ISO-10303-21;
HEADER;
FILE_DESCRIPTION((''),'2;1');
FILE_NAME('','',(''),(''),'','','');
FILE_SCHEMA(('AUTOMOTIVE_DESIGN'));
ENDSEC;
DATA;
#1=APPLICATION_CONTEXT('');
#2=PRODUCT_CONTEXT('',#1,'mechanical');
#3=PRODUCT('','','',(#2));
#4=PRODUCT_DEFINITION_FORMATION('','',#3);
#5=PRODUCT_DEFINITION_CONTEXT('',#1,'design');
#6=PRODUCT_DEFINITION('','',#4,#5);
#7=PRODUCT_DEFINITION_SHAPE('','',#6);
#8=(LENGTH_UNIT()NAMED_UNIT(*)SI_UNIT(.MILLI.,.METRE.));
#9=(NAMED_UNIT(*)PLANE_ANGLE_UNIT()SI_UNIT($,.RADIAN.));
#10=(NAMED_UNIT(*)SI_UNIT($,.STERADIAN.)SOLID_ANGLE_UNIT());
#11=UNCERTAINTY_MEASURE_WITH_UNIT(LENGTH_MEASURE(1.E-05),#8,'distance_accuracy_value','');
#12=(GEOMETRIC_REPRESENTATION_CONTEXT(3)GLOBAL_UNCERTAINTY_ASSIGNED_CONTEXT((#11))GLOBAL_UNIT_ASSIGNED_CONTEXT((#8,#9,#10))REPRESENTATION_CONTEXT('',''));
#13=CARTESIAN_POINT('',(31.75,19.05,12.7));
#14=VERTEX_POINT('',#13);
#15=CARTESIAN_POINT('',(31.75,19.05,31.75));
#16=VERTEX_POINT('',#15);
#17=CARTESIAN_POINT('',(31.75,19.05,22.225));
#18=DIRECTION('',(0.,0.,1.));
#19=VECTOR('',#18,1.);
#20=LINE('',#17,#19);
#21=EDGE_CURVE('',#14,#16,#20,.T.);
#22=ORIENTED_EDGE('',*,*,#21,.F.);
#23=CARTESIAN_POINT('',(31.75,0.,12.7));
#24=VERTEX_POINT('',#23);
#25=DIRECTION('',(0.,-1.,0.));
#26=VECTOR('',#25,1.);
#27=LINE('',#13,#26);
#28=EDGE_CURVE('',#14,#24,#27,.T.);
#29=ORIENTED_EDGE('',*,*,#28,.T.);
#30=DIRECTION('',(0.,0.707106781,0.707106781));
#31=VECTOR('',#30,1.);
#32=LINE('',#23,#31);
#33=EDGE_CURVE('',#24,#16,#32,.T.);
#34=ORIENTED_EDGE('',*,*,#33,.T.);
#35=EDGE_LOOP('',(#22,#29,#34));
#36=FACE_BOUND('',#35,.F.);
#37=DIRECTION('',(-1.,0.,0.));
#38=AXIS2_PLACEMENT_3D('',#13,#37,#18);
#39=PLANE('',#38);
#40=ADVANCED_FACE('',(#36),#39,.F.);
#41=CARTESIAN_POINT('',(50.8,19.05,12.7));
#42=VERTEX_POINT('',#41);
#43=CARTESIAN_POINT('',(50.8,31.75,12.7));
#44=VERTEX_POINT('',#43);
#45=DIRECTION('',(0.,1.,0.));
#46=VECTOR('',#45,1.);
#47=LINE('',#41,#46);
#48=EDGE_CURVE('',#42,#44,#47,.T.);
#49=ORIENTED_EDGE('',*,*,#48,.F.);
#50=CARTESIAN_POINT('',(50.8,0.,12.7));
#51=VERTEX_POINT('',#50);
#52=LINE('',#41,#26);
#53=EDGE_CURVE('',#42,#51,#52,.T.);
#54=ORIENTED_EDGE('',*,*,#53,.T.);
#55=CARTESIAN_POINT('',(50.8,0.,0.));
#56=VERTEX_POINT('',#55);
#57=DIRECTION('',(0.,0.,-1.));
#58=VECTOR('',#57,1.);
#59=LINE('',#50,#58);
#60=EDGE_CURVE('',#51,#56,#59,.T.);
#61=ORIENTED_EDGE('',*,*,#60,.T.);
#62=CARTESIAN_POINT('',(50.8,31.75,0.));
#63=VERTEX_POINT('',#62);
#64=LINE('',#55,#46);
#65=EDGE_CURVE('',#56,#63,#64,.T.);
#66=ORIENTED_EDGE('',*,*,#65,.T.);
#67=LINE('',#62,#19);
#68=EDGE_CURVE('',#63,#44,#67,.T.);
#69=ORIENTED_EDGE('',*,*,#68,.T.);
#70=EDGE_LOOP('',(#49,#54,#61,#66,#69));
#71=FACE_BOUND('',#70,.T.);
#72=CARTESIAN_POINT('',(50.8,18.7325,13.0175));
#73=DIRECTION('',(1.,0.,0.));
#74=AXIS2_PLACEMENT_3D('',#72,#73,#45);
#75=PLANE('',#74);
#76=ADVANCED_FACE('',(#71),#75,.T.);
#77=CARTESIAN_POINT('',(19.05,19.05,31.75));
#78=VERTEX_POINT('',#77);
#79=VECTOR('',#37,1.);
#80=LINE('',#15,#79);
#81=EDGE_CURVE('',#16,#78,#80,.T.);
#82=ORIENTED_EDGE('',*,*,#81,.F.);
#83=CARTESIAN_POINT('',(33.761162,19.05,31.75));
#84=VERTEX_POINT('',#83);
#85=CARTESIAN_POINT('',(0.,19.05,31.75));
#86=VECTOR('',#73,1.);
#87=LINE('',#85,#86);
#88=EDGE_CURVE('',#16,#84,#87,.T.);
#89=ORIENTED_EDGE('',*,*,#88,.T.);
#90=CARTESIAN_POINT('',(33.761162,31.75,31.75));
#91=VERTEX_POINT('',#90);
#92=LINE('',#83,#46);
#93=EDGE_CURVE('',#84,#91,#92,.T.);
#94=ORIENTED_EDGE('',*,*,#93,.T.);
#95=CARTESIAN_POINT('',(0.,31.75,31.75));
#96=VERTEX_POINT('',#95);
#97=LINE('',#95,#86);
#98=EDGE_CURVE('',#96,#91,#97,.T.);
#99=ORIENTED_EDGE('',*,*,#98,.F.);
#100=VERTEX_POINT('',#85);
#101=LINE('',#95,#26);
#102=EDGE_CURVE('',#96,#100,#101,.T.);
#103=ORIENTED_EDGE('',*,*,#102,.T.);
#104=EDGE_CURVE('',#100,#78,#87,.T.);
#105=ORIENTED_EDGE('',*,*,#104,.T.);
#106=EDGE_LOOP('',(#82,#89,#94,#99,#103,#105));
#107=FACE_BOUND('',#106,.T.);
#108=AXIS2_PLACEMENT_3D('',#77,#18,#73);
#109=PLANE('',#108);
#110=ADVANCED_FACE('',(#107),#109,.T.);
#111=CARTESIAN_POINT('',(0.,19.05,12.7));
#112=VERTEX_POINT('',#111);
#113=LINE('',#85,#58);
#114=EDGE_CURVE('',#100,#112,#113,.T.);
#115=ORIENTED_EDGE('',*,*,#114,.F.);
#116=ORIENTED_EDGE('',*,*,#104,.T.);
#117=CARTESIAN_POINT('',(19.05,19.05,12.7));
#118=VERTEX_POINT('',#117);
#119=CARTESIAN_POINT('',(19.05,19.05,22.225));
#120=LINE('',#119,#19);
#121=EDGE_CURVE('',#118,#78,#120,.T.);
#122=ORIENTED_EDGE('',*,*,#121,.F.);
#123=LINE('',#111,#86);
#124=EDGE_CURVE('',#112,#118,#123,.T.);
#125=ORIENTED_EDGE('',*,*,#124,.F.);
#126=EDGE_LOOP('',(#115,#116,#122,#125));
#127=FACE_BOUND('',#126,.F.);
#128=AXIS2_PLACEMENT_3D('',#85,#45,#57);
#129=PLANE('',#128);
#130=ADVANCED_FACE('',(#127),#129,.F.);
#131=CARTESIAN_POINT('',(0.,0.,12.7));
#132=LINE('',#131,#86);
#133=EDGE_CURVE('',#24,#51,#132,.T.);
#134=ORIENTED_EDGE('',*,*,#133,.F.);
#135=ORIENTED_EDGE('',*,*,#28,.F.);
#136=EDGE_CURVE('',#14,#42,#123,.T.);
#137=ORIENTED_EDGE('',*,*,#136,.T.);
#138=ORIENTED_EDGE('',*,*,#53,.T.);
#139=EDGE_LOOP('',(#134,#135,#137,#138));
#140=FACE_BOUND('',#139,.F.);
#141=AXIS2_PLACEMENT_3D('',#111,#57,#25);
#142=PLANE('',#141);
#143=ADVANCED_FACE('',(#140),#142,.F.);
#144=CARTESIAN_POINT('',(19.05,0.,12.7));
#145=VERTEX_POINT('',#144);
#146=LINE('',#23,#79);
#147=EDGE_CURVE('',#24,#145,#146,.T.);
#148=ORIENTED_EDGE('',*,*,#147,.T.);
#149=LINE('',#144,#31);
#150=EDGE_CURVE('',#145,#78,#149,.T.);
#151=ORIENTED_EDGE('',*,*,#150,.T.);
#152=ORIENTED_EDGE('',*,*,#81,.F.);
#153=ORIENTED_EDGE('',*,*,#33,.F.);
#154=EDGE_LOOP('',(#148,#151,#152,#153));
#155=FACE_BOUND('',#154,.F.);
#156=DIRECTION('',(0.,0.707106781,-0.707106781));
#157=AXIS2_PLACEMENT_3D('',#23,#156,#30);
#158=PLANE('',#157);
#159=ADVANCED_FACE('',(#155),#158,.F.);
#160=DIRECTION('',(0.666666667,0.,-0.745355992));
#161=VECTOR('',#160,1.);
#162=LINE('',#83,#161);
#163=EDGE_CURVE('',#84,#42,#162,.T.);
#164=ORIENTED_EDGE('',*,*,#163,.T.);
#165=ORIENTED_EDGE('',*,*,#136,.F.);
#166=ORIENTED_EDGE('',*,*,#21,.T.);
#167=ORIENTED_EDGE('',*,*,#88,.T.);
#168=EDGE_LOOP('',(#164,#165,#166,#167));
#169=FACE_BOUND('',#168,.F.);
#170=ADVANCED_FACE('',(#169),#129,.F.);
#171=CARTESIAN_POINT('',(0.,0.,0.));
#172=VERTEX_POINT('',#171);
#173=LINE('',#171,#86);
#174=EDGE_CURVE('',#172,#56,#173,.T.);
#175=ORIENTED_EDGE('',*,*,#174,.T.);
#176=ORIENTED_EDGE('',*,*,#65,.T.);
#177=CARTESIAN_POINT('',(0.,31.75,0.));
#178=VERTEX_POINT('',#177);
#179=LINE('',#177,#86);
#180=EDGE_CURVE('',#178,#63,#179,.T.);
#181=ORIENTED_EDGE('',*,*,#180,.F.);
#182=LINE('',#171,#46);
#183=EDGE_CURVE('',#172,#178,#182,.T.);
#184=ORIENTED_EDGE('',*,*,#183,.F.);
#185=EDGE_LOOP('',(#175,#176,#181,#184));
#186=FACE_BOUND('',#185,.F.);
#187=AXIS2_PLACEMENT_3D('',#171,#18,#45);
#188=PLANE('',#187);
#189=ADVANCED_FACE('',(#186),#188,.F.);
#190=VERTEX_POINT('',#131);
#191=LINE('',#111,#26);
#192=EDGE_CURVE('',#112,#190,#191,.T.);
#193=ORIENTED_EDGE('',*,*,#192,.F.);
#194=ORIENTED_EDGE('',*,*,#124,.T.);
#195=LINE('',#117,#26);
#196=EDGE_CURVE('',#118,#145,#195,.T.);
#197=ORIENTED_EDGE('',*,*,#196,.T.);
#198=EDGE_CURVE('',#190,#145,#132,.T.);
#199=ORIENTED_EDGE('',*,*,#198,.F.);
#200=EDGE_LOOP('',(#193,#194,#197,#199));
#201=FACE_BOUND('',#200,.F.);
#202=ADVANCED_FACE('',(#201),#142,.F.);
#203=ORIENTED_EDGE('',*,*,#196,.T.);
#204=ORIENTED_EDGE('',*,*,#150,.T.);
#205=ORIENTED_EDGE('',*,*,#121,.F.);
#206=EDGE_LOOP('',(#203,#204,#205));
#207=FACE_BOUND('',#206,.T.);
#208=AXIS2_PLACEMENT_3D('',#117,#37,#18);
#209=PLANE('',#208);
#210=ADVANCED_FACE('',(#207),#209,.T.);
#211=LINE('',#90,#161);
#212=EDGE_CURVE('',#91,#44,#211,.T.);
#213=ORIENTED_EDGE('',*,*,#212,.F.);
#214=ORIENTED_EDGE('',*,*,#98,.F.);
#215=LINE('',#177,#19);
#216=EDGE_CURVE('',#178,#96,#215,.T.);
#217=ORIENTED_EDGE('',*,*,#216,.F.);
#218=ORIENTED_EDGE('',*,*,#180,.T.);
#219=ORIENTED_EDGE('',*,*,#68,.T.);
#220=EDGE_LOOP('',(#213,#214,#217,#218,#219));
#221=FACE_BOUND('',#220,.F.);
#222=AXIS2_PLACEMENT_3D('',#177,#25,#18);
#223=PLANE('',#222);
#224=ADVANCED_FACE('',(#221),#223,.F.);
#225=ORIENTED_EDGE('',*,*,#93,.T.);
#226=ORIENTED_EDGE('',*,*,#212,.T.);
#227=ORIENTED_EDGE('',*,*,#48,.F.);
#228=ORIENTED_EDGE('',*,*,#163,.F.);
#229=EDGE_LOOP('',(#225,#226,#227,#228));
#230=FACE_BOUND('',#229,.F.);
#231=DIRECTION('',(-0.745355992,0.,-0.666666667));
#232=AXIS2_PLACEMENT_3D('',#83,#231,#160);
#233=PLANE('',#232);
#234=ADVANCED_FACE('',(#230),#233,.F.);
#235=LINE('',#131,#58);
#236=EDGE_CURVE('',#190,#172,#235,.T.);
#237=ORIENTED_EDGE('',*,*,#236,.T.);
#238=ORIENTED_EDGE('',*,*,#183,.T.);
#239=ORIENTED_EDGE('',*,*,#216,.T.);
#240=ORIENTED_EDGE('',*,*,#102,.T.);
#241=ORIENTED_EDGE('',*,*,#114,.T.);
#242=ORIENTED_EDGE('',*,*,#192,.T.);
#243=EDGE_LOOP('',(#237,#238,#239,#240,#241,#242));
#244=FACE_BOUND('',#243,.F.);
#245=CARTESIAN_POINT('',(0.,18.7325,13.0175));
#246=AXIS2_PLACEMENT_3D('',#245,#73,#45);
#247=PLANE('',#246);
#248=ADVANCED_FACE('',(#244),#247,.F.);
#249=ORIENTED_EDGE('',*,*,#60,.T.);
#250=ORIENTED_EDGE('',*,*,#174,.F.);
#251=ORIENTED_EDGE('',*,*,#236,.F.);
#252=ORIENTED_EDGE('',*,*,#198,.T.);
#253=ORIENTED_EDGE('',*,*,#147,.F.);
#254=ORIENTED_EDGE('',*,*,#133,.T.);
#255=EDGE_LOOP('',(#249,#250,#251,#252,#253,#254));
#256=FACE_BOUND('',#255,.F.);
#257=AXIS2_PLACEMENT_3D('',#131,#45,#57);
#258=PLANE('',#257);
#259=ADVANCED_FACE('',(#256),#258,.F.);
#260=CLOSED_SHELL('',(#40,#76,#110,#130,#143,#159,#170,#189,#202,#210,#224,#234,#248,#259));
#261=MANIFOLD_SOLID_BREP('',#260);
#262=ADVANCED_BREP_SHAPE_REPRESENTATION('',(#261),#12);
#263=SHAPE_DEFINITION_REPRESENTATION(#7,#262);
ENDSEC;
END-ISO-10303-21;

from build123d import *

# Parameters (mm, degrees)
F1_DEPTH = 50.8
F3_DEPTH = 12.7
F4_W     = 12.7
F4_H     = 19.05
F5_DEPTH = 19.05
F7_DEPTH = 12.7


with BuildPart() as f1:
    # F0 (on Right) → F1 (new body)
    with BuildSketch(Plane.YZ):
        Polygon((0, 12.7), (0, 0), (31.75, 0), (31.75, 31.75), (19.05, 31.75), (19.05, 12.7), align=None)
    extrude(amount=F1_DEPTH)

    # F2 (on face) → F3 (cut)
    with BuildSketch(Plane.XZ.offset(-19.05)):
        Polygon((50.8, 31.75), (33.761162, 31.75), (50.8, 12.7), align=None)
    extrude(amount=-F3_DEPTH, mode=Mode.SUBTRACT)

    # F4 (on face) → F5 (join)
    with BuildSketch(Plane.XZ.offset(-19.05)):
        with Locations((25.4, 22.225)):
            Rectangle(F4_W, F4_H)
    extrude(amount=F5_DEPTH)

    # F6 (on face) → F7 (cut)
    with BuildSketch(Plane.YZ.offset(31.75)):
        Polygon((0, 12.7), (19.05, 31.75), (0, 31.75), align=None)
    extrude(amount=-F7_DEPTH, mode=Mode.SUBTRACT)


solid = f1.part
